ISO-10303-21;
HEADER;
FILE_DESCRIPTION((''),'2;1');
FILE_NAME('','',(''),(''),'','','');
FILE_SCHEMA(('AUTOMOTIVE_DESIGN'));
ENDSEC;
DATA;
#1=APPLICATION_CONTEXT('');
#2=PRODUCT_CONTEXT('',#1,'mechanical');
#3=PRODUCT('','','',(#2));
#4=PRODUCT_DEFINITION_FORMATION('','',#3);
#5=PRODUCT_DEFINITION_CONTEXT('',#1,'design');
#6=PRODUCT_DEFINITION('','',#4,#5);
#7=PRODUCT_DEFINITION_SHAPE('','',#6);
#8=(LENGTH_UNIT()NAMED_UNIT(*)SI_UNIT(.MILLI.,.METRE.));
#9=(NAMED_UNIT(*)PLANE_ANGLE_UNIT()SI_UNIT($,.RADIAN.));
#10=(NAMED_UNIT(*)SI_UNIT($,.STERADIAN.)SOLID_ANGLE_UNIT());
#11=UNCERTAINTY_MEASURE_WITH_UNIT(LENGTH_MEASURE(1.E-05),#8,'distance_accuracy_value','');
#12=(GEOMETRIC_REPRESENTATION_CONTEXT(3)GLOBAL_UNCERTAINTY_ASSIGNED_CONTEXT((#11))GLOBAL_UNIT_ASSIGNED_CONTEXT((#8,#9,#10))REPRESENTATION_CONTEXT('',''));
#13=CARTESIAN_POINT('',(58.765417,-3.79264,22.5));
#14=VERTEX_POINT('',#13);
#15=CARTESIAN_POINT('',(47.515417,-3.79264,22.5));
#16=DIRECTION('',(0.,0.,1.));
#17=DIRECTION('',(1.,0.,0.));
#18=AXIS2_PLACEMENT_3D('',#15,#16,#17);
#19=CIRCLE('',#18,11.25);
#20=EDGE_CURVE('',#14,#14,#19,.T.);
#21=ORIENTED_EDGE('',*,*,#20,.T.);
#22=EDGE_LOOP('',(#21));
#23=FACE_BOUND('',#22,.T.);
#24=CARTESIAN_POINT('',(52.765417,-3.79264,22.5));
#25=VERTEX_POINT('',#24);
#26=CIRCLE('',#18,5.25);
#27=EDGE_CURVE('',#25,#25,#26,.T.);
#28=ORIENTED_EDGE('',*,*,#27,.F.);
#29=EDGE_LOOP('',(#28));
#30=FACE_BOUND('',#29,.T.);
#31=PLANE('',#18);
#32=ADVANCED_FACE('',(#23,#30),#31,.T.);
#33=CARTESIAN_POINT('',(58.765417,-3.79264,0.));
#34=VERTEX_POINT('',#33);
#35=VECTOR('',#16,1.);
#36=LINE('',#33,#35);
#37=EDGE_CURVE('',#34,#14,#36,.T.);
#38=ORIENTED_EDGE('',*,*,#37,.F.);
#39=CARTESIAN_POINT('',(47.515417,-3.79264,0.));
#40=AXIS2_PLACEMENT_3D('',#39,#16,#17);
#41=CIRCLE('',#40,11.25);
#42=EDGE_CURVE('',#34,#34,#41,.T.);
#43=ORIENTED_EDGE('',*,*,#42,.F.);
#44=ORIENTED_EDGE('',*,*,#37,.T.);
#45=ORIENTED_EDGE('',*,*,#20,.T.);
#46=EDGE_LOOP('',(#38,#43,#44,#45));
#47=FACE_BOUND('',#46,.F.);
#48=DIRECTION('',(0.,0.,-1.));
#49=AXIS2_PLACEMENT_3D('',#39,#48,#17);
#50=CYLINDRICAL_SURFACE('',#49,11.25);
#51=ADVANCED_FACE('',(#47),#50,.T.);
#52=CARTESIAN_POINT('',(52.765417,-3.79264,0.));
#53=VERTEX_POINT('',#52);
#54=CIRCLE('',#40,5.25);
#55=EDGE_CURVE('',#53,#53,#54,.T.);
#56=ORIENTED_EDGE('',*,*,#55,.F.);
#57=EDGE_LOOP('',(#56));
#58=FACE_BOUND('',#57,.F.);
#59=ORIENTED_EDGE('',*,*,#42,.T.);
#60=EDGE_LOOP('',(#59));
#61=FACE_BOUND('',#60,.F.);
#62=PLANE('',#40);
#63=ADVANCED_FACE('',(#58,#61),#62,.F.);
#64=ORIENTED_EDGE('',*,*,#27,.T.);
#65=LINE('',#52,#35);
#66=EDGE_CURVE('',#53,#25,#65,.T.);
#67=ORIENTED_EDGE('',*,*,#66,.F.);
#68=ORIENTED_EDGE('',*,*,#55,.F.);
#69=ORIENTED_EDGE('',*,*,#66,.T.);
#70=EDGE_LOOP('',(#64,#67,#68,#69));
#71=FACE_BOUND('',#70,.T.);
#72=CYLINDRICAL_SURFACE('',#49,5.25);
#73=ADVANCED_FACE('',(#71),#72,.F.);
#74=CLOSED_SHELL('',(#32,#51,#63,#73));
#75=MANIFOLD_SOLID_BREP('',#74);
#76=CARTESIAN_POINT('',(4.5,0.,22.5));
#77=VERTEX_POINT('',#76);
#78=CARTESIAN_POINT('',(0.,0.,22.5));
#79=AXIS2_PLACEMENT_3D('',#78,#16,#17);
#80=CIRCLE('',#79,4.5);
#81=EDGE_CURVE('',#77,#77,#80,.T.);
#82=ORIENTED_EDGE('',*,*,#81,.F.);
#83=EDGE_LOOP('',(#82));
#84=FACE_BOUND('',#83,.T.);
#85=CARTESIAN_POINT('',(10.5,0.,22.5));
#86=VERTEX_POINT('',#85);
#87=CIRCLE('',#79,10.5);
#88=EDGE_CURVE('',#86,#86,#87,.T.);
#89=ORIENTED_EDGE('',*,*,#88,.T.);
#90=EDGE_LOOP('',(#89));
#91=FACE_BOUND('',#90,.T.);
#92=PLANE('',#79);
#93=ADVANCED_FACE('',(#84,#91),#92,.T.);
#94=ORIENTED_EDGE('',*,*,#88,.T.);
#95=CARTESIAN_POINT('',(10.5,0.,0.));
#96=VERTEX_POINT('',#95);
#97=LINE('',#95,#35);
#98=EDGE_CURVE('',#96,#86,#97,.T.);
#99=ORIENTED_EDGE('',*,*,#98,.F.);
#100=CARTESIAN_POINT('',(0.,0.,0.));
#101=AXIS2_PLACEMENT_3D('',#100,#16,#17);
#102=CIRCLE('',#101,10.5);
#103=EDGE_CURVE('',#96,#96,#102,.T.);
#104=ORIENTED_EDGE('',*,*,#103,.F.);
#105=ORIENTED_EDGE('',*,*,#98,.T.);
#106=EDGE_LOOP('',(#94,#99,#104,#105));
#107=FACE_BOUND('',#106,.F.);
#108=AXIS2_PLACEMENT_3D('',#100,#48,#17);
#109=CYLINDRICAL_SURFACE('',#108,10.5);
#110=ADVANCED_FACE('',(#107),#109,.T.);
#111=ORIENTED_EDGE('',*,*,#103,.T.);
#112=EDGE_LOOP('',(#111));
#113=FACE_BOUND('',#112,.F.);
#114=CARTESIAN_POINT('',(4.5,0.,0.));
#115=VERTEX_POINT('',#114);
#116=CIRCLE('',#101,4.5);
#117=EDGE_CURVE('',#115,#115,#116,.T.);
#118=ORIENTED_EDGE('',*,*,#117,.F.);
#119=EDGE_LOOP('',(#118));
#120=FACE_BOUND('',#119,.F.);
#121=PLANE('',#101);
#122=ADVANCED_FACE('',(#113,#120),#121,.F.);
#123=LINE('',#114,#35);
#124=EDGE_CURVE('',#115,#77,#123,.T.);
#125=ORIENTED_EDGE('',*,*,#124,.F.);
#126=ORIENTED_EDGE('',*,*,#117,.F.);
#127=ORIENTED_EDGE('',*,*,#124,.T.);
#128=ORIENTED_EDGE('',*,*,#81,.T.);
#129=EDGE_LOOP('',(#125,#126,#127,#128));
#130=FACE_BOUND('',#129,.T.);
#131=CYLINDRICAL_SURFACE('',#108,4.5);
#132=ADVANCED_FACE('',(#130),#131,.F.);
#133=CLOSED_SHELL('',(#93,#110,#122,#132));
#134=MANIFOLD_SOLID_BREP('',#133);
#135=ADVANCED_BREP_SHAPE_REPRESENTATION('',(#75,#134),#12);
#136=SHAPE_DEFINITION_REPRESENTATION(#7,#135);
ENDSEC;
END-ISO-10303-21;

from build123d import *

# Parameters (mm, degrees)
F0_R     = 10.5
F0_R_2   = 4.5
F0_R_3   = 11.25
F0_R_4   = 5.25
F1_DEPTH = 22.5


with BuildPart() as f1:
    # F0 (on Top) → F1 (new body)
    with BuildSketch(Plane.XY):
        Circle(F0_R)
        Circle(F0_R_2, mode=Mode.SUBTRACT)
        with Locations((47.515417, -3.79264)):
            Circle(F0_R_3)
        with Locations((47.515417, -3.79264)):
            Circle(F0_R_4, mode=Mode.SUBTRACT)
    extrude(amount=F1_DEPTH)


solid = f1.part
